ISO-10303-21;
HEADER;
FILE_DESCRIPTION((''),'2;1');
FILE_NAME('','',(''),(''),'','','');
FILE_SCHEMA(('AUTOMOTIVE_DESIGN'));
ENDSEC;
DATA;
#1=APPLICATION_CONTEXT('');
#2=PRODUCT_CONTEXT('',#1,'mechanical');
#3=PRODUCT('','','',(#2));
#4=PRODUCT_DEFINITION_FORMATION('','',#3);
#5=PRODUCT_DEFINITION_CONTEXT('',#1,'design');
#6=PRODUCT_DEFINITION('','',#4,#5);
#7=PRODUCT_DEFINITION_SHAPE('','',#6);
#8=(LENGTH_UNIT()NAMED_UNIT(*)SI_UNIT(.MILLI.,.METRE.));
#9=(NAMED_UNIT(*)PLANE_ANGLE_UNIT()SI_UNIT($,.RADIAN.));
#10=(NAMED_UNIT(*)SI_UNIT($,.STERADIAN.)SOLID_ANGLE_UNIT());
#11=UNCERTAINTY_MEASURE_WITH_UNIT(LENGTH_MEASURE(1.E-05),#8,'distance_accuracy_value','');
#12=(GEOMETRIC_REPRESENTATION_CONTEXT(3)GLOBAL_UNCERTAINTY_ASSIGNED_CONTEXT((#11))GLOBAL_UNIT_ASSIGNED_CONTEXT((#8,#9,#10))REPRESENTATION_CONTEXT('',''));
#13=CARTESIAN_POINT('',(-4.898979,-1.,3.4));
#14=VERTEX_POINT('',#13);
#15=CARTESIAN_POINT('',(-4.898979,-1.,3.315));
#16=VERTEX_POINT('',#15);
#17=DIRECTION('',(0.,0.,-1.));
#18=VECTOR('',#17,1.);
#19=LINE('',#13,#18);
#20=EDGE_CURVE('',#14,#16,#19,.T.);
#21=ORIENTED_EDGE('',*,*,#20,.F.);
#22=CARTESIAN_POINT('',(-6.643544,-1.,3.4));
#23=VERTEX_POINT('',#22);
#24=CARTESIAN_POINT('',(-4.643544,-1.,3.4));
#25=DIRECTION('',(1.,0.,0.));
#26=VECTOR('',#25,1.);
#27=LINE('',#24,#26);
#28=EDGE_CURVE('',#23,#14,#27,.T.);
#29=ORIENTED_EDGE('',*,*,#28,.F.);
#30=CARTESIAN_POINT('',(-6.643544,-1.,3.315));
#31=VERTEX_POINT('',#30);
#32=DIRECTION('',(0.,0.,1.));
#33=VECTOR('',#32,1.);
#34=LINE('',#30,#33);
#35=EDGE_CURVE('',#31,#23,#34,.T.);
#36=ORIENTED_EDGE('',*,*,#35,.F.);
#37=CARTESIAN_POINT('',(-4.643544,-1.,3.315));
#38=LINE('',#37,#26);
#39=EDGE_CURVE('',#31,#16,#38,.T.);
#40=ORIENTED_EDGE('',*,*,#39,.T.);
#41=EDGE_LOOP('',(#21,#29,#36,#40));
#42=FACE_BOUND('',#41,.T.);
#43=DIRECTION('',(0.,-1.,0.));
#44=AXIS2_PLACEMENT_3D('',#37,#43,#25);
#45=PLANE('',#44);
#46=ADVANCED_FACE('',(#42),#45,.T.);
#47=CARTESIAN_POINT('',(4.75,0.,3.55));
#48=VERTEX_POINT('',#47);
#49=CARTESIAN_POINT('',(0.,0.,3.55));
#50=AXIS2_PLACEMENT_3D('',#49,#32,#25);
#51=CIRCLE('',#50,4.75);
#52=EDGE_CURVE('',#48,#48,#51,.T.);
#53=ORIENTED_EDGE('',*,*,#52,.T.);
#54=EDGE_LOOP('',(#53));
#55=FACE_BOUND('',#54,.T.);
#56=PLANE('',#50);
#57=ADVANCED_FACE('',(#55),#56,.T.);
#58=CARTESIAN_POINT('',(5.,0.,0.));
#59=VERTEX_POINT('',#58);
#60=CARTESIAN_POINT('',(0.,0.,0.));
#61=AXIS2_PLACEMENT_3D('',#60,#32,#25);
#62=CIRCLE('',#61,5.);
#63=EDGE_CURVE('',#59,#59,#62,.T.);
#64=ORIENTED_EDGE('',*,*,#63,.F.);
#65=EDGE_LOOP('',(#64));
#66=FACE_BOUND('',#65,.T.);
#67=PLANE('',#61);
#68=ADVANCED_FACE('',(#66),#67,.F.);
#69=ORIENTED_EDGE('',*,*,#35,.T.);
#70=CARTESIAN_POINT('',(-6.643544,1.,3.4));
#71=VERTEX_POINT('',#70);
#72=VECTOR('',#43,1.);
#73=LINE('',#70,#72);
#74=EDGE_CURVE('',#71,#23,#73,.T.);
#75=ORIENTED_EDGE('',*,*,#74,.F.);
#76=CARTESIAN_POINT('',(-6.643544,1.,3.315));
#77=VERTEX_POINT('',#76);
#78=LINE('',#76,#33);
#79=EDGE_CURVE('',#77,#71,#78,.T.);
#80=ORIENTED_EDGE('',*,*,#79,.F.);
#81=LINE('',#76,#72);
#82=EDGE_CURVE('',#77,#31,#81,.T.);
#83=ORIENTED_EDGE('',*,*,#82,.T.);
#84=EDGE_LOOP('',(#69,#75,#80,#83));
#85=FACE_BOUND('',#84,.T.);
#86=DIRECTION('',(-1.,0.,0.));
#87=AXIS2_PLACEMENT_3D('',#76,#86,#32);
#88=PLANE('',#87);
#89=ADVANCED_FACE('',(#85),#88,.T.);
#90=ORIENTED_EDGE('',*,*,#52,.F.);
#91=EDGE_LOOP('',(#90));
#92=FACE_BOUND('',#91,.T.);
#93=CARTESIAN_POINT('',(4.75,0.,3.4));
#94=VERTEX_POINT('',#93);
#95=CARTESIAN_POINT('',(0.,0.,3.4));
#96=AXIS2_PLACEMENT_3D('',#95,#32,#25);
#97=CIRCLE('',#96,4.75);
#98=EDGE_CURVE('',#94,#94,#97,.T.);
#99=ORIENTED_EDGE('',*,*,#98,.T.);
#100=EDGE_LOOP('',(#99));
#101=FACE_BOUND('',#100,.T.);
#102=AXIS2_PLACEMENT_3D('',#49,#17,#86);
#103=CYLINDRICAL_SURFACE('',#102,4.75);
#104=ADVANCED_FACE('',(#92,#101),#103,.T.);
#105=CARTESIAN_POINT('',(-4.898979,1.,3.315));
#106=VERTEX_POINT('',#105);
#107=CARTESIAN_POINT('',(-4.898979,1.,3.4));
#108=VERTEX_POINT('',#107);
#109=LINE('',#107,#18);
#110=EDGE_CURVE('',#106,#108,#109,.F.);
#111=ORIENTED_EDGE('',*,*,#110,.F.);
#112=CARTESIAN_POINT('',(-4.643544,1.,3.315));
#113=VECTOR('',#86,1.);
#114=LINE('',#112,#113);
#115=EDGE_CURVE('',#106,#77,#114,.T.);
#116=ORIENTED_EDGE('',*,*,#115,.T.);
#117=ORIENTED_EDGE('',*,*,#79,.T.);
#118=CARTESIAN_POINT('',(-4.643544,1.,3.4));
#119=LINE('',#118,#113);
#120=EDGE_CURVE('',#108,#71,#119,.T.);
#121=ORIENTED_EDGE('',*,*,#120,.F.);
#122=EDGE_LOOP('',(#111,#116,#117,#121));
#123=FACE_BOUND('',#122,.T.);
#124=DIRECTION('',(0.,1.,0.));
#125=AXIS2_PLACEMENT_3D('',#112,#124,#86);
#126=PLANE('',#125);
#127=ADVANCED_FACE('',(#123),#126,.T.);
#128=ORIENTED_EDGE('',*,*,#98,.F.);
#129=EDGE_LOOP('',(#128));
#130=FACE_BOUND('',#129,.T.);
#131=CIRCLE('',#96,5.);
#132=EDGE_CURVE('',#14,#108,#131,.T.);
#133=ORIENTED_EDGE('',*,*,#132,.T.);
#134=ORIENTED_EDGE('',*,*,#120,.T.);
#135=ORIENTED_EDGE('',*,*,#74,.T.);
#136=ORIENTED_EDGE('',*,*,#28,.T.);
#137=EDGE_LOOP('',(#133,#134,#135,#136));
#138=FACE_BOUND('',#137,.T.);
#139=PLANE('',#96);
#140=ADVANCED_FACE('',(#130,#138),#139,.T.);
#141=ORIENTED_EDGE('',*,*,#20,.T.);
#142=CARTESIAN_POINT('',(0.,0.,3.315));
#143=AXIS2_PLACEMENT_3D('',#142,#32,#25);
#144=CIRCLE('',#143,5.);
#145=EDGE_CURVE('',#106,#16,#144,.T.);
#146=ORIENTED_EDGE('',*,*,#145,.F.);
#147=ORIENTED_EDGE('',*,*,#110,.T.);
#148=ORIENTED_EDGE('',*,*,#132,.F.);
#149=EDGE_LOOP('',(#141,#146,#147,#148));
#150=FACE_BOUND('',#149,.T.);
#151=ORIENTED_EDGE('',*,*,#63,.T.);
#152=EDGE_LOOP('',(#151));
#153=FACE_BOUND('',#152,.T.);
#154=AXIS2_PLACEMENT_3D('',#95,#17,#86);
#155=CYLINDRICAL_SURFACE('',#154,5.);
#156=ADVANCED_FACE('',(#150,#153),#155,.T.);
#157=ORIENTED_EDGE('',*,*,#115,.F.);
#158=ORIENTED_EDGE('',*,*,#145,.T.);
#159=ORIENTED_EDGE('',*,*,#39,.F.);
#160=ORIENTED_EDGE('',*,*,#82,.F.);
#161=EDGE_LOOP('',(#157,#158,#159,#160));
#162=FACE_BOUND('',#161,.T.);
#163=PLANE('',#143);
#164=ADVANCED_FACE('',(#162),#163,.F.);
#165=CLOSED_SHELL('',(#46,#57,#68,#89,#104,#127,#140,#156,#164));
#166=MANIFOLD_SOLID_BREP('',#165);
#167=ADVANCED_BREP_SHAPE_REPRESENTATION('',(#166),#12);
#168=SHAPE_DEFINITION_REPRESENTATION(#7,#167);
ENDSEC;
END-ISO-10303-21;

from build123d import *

# Parameters (mm, degrees)
SKETCH1_R           = 5
BOSS_EXTRUDE1_DEPTH = 3.4
SKETCH2_R           = 4.75
BOSS_EXTRUDE2_DEPTH = 0.15
BOSS_EXTRUDE3_START = -0.085
BOSS_EXTRUDE3_DEPTH = 0.085


with BuildPart() as part:
    # Sketch1 → Boss-Extrude1 (new body)
    with BuildSketch(Plane.XY):
        Circle(SKETCH1_R)
    extrude(amount=BOSS_EXTRUDE1_DEPTH)

    # Sketch2 → Boss-Extrude2 (add)
    with BuildSketch(Plane.XY.offset(3.4)):
        Circle(SKETCH2_R)
    extrude(amount=BOSS_EXTRUDE2_DEPTH)

    # Sketch4 → Boss-Extrude3 (add)
    with BuildSketch(Plane.XY.offset(3.4).offset(BOSS_EXTRUDE3_START)):
        with BuildLine():
            Line((-4.643543905, 1), (-6.643543905, 1))
            Line((-6.643543905, 1), (-6.643543905, -1))
            Line((-6.643543905, -1), (-4.643543905, -1))
            ThreePointArc((-4.643543905, -1), (-4.75, 0), (-4.643543905, 1))
        make_face()
    extrude(amount=BOSS_EXTRUDE3_DEPTH)


solid = part.part
